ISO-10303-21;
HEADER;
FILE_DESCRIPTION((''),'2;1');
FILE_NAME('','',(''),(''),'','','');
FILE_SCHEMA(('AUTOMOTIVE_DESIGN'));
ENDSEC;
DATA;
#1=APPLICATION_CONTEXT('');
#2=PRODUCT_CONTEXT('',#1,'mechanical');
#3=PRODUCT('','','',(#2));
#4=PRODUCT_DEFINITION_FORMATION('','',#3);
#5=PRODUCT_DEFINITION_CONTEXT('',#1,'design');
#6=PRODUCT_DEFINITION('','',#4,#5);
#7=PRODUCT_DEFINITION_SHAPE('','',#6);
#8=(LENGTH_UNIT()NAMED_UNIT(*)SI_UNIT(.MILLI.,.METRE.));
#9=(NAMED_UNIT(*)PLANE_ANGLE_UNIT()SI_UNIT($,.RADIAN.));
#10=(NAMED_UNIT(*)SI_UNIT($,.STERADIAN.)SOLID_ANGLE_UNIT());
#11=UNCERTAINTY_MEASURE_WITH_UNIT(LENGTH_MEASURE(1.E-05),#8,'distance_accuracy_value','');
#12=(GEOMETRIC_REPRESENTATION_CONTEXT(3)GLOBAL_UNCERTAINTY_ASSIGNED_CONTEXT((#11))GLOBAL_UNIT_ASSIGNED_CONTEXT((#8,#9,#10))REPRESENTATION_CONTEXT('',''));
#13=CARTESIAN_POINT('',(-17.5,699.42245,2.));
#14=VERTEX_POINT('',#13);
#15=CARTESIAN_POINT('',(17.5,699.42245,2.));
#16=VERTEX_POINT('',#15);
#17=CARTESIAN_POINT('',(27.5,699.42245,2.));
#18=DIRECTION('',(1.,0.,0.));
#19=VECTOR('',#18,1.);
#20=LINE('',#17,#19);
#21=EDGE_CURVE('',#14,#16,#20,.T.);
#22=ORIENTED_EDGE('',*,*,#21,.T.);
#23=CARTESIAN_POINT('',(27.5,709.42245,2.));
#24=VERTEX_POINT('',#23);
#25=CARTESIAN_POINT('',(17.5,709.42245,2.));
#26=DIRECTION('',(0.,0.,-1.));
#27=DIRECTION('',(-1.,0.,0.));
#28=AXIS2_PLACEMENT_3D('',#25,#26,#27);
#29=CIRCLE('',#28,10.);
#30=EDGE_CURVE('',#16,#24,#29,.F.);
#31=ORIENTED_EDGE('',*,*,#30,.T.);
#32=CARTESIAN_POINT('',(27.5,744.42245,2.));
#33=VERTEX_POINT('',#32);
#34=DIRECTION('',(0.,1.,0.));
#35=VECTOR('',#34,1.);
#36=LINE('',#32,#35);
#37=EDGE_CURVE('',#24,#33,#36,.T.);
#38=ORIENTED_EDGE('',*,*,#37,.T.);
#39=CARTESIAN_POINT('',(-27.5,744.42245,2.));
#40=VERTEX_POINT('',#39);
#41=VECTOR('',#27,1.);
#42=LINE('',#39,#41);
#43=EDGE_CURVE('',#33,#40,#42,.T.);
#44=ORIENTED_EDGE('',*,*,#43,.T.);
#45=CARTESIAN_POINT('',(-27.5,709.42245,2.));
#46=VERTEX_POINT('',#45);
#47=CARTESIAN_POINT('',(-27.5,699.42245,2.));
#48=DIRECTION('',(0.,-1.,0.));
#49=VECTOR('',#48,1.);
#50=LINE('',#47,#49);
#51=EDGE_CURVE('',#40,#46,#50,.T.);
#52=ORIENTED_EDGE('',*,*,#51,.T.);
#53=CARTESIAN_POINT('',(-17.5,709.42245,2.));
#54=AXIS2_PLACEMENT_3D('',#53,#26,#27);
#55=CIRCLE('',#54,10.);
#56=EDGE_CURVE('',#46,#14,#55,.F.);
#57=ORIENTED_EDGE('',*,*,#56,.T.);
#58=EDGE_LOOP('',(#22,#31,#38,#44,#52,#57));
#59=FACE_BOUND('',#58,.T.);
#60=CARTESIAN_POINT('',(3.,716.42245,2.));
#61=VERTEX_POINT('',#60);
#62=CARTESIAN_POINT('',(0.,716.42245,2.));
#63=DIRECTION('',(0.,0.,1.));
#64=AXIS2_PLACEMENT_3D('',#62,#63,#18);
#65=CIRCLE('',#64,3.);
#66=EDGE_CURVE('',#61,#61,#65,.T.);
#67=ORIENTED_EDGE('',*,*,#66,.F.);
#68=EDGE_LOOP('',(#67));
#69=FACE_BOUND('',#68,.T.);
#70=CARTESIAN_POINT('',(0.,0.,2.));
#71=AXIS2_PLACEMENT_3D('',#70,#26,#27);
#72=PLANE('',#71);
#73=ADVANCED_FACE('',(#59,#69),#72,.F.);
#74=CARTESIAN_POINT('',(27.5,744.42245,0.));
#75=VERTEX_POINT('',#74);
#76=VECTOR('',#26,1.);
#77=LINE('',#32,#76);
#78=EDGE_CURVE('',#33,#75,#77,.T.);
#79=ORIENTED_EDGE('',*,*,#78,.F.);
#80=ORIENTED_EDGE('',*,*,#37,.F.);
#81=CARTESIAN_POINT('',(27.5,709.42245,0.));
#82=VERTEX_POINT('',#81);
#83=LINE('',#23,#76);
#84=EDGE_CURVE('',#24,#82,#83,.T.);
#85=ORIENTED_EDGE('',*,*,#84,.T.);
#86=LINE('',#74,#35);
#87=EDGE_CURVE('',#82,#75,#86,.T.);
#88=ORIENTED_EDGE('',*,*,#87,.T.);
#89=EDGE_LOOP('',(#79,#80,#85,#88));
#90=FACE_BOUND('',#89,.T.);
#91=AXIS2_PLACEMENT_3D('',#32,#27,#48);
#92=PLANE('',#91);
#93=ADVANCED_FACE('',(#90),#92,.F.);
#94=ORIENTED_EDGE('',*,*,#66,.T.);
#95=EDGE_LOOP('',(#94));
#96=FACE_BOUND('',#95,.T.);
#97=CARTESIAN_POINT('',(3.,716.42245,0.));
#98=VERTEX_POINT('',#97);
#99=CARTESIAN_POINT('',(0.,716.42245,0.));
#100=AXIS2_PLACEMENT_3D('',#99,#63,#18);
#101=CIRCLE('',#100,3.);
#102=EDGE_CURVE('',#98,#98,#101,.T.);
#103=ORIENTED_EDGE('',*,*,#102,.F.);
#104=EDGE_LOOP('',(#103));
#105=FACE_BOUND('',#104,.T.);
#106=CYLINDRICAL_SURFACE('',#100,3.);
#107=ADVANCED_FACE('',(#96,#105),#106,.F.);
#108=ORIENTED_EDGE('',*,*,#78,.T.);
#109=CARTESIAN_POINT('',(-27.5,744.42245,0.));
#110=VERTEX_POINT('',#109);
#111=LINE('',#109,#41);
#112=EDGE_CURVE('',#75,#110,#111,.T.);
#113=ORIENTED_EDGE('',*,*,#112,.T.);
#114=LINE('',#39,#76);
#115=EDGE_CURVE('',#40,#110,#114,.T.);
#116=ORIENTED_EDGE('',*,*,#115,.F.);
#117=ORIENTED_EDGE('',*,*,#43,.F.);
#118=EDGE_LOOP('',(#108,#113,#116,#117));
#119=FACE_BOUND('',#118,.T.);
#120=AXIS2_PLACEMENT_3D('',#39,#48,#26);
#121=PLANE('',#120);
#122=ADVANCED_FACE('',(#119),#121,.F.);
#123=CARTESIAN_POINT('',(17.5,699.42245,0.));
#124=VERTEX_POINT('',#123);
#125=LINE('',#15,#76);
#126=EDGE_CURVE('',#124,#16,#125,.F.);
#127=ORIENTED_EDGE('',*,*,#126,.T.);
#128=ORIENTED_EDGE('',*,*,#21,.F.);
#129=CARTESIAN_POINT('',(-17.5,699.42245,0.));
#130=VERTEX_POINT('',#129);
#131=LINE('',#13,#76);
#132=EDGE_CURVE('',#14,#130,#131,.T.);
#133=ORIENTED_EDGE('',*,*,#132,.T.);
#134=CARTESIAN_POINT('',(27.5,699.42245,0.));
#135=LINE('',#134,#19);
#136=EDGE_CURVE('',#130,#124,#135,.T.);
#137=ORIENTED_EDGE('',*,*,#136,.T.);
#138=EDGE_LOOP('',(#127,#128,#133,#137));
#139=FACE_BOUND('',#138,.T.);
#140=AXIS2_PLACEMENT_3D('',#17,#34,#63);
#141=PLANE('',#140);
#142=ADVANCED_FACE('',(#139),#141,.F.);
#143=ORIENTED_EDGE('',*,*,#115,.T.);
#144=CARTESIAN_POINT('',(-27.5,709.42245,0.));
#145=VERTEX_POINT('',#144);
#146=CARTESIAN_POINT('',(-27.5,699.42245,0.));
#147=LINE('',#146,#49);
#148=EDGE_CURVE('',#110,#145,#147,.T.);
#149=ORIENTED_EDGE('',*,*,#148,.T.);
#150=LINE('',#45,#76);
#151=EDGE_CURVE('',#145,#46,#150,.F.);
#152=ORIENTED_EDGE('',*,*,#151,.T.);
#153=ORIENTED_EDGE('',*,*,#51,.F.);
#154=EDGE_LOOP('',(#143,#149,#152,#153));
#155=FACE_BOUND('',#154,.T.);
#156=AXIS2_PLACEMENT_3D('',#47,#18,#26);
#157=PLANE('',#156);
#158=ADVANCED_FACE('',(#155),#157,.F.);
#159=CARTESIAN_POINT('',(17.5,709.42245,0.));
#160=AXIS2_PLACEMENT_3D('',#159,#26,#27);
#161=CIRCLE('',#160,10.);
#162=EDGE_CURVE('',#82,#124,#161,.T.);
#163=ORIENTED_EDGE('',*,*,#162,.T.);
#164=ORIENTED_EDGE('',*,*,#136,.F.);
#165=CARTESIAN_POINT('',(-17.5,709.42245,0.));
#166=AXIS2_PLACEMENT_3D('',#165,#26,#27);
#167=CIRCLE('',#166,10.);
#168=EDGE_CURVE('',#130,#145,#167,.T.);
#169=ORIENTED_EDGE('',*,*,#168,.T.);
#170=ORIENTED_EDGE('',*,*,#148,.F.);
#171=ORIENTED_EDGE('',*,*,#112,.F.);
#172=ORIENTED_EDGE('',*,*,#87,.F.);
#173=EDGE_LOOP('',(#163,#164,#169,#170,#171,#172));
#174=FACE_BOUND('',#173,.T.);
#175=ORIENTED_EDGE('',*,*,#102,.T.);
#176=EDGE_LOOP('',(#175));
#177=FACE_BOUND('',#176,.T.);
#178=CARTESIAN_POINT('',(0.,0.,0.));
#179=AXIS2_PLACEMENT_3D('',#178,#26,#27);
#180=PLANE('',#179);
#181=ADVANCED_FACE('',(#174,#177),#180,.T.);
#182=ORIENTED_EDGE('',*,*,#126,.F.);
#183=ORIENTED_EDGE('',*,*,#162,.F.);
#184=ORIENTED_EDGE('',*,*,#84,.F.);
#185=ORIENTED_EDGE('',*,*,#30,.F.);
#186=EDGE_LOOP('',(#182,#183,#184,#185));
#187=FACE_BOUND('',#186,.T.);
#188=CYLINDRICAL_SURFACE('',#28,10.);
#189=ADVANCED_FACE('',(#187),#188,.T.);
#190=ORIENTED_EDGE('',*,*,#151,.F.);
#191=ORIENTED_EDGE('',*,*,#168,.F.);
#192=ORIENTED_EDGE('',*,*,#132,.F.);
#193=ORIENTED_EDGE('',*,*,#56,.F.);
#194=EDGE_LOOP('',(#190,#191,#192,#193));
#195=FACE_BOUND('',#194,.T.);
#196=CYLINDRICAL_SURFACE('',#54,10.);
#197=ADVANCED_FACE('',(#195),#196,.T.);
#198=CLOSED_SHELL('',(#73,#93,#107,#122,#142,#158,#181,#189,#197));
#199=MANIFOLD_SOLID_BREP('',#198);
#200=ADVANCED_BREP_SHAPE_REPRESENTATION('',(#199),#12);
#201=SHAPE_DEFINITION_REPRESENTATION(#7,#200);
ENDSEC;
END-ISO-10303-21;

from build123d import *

# Parameters (mm, degrees)
SZKIC1_W                    = 55
SZKIC1_H                    = 45
DODANIE_WYCI_GNI_CIE1_DEPTH = 2
ZAOKR_GLENIE1_R             = 10
ZAOKR_GLENIE2_R             = 10
SZKIC2_R                    = 3
WYTNIJ_WYCI_GNI_CIE2_DEPTH  = 2


with BuildPart() as part:
    # Szkic1 → Dodanie-wyciągnięcie1 (new body)
    with BuildSketch(Plane.XY):
        with Locations((0, 721.92245047)):
            Rectangle(SZKIC1_W, SZKIC1_H)
    extrude(amount=DODANIE_WYCI_GNI_CIE1_DEPTH)

    # Zaokrąglenie1
    zaokr_glenie1_edges = [part.edges().sort_by_distance(p)[0] for p in [
        (-27.5, 699.42245047, 1),
    ]]
    fillet(zaokr_glenie1_edges, radius=ZAOKR_GLENIE1_R)

    # Zaokrąglenie2
    zaokr_glenie2_edges = [part.edges().sort_by_distance(p)[0] for p in [
        (27.5, 699.42245047, 1),
    ]]
    fillet(zaokr_glenie2_edges, radius=ZAOKR_GLENIE2_R)

    # Szkic2 → Wytnij-wyciągnięcie2 (cut)
    with BuildSketch(Plane.XY.offset(2)):
        with Locations((0, 716.42245047)):
            Circle(SZKIC2_R)
    extrude(amount=-WYTNIJ_WYCI_GNI_CIE2_DEPTH, mode=Mode.SUBTRACT)


solid = part.part
